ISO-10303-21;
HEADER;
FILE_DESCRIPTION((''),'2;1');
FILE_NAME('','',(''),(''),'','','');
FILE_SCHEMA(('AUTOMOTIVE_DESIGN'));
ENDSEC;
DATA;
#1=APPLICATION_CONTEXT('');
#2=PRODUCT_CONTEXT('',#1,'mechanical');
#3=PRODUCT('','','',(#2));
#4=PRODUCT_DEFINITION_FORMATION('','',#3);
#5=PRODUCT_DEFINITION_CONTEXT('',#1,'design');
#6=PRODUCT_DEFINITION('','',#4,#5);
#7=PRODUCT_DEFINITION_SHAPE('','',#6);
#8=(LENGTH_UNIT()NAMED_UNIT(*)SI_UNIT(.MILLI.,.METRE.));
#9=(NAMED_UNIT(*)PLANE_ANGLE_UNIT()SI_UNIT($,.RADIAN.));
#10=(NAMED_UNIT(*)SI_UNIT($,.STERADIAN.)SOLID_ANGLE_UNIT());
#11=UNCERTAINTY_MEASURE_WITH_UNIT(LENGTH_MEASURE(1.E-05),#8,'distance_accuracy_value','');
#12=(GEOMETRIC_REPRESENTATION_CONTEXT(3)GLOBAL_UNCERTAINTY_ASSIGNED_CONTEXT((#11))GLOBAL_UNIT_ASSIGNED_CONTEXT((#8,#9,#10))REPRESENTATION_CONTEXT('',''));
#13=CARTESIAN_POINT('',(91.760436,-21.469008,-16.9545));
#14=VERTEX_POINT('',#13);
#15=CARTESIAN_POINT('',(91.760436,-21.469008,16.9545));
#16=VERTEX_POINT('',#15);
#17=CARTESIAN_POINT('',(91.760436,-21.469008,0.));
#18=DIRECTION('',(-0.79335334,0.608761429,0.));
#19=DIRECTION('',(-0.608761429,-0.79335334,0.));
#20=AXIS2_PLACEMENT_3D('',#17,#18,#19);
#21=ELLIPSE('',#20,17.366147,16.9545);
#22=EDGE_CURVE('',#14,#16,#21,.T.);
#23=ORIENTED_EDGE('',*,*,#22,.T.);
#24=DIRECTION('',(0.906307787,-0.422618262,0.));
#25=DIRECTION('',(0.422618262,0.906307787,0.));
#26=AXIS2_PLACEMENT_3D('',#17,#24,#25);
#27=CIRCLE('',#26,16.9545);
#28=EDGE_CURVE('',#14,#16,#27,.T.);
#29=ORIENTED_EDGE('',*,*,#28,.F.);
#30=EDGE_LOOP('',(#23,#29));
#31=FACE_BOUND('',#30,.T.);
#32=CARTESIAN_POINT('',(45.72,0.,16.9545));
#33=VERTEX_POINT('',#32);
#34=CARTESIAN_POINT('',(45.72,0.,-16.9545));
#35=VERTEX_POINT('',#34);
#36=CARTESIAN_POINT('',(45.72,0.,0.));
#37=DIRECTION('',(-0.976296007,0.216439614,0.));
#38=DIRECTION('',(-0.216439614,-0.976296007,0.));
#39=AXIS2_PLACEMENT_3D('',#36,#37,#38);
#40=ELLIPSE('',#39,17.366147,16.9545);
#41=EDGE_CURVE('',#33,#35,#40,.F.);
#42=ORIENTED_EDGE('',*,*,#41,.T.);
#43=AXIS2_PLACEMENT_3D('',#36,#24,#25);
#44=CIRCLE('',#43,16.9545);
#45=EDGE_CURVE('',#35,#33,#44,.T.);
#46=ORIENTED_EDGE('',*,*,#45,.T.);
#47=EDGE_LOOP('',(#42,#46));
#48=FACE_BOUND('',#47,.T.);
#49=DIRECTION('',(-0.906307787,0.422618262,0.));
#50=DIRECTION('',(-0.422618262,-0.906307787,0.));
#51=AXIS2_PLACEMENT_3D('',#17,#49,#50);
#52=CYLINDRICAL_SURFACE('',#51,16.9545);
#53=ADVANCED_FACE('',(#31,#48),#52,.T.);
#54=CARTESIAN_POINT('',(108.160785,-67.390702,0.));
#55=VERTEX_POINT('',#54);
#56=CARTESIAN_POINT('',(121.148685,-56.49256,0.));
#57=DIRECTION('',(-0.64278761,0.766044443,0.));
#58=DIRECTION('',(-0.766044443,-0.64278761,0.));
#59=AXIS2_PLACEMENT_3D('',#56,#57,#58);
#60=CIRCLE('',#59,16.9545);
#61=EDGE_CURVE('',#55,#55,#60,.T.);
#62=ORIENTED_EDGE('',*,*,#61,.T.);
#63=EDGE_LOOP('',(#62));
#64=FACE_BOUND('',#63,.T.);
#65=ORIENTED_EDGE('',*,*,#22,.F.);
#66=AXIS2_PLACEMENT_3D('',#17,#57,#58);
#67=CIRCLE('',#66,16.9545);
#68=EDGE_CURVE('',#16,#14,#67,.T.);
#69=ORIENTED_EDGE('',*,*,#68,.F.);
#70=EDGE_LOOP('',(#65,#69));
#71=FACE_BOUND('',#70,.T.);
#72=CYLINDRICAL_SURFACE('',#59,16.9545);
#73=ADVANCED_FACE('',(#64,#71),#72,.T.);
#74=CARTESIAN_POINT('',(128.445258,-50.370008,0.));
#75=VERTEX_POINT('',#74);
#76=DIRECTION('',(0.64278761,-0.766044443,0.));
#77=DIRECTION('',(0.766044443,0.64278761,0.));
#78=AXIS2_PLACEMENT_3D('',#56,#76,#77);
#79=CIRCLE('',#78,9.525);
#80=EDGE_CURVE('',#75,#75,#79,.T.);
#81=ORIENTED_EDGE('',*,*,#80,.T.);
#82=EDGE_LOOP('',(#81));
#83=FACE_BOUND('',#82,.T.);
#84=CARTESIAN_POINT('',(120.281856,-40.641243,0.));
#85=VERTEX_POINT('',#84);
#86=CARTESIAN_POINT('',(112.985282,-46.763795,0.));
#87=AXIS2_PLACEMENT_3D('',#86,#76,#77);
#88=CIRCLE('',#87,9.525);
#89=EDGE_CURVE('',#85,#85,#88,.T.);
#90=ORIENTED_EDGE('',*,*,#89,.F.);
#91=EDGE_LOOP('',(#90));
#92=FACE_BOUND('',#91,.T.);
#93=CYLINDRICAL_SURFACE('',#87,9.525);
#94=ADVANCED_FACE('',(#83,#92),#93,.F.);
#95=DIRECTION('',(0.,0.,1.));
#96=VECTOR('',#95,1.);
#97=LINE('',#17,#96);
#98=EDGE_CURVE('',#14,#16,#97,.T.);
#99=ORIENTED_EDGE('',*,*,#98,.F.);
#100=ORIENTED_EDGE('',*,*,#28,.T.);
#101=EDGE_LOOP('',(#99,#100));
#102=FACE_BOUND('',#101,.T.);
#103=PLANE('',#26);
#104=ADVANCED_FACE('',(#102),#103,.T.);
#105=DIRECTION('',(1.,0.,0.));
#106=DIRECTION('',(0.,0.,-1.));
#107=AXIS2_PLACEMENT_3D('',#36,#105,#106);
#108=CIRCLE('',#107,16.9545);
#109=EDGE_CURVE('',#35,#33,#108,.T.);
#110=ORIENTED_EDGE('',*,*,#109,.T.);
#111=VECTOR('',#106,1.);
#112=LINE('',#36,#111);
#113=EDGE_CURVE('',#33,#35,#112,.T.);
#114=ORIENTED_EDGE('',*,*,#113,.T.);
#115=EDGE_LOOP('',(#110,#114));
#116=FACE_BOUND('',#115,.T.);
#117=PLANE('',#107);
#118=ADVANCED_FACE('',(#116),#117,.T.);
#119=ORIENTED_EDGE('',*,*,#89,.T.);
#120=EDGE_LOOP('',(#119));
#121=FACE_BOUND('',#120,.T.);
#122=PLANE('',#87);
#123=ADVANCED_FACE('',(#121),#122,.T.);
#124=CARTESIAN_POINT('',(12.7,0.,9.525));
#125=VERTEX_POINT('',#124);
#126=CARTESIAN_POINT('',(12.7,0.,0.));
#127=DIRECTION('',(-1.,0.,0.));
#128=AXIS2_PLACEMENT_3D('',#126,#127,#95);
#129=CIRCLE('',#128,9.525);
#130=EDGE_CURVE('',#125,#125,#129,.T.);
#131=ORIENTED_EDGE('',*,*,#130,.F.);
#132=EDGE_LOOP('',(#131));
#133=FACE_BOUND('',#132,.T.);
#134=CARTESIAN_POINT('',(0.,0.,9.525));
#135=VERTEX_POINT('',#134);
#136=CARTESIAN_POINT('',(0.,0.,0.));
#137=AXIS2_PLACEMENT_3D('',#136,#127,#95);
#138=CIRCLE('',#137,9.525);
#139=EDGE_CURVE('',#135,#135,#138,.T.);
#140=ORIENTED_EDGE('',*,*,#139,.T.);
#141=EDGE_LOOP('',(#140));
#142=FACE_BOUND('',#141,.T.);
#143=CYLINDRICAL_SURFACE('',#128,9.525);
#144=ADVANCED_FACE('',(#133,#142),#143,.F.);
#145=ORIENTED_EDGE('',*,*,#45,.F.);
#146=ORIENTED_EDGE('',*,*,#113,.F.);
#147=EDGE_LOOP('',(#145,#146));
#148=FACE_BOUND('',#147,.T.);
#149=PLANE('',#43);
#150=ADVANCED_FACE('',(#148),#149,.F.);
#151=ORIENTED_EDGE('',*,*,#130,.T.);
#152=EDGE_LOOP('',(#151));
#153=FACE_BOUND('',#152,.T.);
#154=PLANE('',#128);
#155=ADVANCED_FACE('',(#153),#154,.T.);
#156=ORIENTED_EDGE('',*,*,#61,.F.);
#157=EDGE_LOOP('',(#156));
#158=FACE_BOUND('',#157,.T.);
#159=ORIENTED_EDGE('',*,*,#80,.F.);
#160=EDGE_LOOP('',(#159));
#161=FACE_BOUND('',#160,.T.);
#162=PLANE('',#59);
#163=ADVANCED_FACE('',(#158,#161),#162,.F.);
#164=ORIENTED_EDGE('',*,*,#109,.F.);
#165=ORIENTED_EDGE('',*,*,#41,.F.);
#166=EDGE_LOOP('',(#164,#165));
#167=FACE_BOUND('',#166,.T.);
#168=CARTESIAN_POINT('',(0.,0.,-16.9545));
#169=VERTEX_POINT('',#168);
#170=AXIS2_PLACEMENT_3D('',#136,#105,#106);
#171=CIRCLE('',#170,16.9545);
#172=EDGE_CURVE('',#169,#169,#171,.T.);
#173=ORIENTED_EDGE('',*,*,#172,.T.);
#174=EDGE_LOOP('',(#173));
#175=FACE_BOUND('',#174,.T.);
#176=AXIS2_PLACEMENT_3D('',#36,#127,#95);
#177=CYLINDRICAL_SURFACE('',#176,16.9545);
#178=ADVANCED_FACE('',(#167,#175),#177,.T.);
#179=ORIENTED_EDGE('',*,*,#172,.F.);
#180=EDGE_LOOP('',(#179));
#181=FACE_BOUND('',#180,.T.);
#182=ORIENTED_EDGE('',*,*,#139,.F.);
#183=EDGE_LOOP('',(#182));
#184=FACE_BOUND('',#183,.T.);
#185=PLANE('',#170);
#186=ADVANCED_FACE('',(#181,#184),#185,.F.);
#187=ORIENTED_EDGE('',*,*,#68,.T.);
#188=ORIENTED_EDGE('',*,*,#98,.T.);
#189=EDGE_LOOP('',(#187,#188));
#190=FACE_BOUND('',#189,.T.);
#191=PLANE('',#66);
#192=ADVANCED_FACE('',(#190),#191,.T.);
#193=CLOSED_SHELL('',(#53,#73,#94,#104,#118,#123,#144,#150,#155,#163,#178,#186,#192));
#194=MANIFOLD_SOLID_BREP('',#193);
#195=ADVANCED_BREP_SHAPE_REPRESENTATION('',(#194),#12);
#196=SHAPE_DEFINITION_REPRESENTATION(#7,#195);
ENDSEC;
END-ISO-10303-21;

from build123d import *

# Parameters (mm, degrees)
SKETCH4_R           = 16.9545
BOSS_EXTRUDE1_DEPTH = 45.72
SKETCH5_R           = 16.9545
BOSS_EXTRUDE2_DEPTH = 50.8
SKETCH9_R           = 16.9545
BOSS_EXTRUDE3_DEPTH = 45.72
SKETCH10_R          = 9.525
CUT_EXTRUDE1_DEPTH  = 12.7
SKETCH12_R          = 9.525
CUT_EXTRUDE2_DEPTH  = 12.7


with BuildPart() as part:
    # Sketch4 → Boss-Extrude1 (new body)
    with BuildSketch(Plane(origin=(0, 0, 0), x_dir=(0, 0, -1), z_dir=(1, 0, 0))):
        Circle(SKETCH4_R)
    extrude(amount=BOSS_EXTRUDE1_DEPTH)

    # Sketch5 → Boss-Extrude2 (add)
    with BuildSketch(Plane(origin=(45.72, 0, 0), x_dir=(0, 0, -1), z_dir=(0.906307787, -0.422618262, 0))):
        Circle(SKETCH5_R)
    extrude(amount=BOSS_EXTRUDE2_DEPTH)

    # Sketch9 → Boss-Extrude3 (add)
    with BuildSketch(Plane(origin=(91.760435581, -21.469007696, 0), x_dir=(0.766044443, 0.64278761, 0), z_dir=(-0.64278761, 0.766044443, 0))):
        Circle(SKETCH9_R)
    extrude(amount=-BOSS_EXTRUDE3_DEPTH)

    # Sketch10 → Cut-Extrude1 (cut)
    with BuildSketch(Plane(origin=(77.87287371, -92.805277009, 0), x_dir=(0.766044443, 0.64278761, 0), z_dir=(0.64278761, -0.766044443, 0))):
        with Locations((56.492559636, 0)):
            Circle(SKETCH10_R)
    extrude(amount=-CUT_EXTRUDE1_DEPTH, mode=Mode.SUBTRACT)

    # Sketch12 → Cut-Extrude2 (cut)
    with BuildSketch(Plane.ZY):
        Circle(SKETCH12_R)
    extrude(amount=-CUT_EXTRUDE2_DEPTH, mode=Mode.SUBTRACT)


solid = part.part
